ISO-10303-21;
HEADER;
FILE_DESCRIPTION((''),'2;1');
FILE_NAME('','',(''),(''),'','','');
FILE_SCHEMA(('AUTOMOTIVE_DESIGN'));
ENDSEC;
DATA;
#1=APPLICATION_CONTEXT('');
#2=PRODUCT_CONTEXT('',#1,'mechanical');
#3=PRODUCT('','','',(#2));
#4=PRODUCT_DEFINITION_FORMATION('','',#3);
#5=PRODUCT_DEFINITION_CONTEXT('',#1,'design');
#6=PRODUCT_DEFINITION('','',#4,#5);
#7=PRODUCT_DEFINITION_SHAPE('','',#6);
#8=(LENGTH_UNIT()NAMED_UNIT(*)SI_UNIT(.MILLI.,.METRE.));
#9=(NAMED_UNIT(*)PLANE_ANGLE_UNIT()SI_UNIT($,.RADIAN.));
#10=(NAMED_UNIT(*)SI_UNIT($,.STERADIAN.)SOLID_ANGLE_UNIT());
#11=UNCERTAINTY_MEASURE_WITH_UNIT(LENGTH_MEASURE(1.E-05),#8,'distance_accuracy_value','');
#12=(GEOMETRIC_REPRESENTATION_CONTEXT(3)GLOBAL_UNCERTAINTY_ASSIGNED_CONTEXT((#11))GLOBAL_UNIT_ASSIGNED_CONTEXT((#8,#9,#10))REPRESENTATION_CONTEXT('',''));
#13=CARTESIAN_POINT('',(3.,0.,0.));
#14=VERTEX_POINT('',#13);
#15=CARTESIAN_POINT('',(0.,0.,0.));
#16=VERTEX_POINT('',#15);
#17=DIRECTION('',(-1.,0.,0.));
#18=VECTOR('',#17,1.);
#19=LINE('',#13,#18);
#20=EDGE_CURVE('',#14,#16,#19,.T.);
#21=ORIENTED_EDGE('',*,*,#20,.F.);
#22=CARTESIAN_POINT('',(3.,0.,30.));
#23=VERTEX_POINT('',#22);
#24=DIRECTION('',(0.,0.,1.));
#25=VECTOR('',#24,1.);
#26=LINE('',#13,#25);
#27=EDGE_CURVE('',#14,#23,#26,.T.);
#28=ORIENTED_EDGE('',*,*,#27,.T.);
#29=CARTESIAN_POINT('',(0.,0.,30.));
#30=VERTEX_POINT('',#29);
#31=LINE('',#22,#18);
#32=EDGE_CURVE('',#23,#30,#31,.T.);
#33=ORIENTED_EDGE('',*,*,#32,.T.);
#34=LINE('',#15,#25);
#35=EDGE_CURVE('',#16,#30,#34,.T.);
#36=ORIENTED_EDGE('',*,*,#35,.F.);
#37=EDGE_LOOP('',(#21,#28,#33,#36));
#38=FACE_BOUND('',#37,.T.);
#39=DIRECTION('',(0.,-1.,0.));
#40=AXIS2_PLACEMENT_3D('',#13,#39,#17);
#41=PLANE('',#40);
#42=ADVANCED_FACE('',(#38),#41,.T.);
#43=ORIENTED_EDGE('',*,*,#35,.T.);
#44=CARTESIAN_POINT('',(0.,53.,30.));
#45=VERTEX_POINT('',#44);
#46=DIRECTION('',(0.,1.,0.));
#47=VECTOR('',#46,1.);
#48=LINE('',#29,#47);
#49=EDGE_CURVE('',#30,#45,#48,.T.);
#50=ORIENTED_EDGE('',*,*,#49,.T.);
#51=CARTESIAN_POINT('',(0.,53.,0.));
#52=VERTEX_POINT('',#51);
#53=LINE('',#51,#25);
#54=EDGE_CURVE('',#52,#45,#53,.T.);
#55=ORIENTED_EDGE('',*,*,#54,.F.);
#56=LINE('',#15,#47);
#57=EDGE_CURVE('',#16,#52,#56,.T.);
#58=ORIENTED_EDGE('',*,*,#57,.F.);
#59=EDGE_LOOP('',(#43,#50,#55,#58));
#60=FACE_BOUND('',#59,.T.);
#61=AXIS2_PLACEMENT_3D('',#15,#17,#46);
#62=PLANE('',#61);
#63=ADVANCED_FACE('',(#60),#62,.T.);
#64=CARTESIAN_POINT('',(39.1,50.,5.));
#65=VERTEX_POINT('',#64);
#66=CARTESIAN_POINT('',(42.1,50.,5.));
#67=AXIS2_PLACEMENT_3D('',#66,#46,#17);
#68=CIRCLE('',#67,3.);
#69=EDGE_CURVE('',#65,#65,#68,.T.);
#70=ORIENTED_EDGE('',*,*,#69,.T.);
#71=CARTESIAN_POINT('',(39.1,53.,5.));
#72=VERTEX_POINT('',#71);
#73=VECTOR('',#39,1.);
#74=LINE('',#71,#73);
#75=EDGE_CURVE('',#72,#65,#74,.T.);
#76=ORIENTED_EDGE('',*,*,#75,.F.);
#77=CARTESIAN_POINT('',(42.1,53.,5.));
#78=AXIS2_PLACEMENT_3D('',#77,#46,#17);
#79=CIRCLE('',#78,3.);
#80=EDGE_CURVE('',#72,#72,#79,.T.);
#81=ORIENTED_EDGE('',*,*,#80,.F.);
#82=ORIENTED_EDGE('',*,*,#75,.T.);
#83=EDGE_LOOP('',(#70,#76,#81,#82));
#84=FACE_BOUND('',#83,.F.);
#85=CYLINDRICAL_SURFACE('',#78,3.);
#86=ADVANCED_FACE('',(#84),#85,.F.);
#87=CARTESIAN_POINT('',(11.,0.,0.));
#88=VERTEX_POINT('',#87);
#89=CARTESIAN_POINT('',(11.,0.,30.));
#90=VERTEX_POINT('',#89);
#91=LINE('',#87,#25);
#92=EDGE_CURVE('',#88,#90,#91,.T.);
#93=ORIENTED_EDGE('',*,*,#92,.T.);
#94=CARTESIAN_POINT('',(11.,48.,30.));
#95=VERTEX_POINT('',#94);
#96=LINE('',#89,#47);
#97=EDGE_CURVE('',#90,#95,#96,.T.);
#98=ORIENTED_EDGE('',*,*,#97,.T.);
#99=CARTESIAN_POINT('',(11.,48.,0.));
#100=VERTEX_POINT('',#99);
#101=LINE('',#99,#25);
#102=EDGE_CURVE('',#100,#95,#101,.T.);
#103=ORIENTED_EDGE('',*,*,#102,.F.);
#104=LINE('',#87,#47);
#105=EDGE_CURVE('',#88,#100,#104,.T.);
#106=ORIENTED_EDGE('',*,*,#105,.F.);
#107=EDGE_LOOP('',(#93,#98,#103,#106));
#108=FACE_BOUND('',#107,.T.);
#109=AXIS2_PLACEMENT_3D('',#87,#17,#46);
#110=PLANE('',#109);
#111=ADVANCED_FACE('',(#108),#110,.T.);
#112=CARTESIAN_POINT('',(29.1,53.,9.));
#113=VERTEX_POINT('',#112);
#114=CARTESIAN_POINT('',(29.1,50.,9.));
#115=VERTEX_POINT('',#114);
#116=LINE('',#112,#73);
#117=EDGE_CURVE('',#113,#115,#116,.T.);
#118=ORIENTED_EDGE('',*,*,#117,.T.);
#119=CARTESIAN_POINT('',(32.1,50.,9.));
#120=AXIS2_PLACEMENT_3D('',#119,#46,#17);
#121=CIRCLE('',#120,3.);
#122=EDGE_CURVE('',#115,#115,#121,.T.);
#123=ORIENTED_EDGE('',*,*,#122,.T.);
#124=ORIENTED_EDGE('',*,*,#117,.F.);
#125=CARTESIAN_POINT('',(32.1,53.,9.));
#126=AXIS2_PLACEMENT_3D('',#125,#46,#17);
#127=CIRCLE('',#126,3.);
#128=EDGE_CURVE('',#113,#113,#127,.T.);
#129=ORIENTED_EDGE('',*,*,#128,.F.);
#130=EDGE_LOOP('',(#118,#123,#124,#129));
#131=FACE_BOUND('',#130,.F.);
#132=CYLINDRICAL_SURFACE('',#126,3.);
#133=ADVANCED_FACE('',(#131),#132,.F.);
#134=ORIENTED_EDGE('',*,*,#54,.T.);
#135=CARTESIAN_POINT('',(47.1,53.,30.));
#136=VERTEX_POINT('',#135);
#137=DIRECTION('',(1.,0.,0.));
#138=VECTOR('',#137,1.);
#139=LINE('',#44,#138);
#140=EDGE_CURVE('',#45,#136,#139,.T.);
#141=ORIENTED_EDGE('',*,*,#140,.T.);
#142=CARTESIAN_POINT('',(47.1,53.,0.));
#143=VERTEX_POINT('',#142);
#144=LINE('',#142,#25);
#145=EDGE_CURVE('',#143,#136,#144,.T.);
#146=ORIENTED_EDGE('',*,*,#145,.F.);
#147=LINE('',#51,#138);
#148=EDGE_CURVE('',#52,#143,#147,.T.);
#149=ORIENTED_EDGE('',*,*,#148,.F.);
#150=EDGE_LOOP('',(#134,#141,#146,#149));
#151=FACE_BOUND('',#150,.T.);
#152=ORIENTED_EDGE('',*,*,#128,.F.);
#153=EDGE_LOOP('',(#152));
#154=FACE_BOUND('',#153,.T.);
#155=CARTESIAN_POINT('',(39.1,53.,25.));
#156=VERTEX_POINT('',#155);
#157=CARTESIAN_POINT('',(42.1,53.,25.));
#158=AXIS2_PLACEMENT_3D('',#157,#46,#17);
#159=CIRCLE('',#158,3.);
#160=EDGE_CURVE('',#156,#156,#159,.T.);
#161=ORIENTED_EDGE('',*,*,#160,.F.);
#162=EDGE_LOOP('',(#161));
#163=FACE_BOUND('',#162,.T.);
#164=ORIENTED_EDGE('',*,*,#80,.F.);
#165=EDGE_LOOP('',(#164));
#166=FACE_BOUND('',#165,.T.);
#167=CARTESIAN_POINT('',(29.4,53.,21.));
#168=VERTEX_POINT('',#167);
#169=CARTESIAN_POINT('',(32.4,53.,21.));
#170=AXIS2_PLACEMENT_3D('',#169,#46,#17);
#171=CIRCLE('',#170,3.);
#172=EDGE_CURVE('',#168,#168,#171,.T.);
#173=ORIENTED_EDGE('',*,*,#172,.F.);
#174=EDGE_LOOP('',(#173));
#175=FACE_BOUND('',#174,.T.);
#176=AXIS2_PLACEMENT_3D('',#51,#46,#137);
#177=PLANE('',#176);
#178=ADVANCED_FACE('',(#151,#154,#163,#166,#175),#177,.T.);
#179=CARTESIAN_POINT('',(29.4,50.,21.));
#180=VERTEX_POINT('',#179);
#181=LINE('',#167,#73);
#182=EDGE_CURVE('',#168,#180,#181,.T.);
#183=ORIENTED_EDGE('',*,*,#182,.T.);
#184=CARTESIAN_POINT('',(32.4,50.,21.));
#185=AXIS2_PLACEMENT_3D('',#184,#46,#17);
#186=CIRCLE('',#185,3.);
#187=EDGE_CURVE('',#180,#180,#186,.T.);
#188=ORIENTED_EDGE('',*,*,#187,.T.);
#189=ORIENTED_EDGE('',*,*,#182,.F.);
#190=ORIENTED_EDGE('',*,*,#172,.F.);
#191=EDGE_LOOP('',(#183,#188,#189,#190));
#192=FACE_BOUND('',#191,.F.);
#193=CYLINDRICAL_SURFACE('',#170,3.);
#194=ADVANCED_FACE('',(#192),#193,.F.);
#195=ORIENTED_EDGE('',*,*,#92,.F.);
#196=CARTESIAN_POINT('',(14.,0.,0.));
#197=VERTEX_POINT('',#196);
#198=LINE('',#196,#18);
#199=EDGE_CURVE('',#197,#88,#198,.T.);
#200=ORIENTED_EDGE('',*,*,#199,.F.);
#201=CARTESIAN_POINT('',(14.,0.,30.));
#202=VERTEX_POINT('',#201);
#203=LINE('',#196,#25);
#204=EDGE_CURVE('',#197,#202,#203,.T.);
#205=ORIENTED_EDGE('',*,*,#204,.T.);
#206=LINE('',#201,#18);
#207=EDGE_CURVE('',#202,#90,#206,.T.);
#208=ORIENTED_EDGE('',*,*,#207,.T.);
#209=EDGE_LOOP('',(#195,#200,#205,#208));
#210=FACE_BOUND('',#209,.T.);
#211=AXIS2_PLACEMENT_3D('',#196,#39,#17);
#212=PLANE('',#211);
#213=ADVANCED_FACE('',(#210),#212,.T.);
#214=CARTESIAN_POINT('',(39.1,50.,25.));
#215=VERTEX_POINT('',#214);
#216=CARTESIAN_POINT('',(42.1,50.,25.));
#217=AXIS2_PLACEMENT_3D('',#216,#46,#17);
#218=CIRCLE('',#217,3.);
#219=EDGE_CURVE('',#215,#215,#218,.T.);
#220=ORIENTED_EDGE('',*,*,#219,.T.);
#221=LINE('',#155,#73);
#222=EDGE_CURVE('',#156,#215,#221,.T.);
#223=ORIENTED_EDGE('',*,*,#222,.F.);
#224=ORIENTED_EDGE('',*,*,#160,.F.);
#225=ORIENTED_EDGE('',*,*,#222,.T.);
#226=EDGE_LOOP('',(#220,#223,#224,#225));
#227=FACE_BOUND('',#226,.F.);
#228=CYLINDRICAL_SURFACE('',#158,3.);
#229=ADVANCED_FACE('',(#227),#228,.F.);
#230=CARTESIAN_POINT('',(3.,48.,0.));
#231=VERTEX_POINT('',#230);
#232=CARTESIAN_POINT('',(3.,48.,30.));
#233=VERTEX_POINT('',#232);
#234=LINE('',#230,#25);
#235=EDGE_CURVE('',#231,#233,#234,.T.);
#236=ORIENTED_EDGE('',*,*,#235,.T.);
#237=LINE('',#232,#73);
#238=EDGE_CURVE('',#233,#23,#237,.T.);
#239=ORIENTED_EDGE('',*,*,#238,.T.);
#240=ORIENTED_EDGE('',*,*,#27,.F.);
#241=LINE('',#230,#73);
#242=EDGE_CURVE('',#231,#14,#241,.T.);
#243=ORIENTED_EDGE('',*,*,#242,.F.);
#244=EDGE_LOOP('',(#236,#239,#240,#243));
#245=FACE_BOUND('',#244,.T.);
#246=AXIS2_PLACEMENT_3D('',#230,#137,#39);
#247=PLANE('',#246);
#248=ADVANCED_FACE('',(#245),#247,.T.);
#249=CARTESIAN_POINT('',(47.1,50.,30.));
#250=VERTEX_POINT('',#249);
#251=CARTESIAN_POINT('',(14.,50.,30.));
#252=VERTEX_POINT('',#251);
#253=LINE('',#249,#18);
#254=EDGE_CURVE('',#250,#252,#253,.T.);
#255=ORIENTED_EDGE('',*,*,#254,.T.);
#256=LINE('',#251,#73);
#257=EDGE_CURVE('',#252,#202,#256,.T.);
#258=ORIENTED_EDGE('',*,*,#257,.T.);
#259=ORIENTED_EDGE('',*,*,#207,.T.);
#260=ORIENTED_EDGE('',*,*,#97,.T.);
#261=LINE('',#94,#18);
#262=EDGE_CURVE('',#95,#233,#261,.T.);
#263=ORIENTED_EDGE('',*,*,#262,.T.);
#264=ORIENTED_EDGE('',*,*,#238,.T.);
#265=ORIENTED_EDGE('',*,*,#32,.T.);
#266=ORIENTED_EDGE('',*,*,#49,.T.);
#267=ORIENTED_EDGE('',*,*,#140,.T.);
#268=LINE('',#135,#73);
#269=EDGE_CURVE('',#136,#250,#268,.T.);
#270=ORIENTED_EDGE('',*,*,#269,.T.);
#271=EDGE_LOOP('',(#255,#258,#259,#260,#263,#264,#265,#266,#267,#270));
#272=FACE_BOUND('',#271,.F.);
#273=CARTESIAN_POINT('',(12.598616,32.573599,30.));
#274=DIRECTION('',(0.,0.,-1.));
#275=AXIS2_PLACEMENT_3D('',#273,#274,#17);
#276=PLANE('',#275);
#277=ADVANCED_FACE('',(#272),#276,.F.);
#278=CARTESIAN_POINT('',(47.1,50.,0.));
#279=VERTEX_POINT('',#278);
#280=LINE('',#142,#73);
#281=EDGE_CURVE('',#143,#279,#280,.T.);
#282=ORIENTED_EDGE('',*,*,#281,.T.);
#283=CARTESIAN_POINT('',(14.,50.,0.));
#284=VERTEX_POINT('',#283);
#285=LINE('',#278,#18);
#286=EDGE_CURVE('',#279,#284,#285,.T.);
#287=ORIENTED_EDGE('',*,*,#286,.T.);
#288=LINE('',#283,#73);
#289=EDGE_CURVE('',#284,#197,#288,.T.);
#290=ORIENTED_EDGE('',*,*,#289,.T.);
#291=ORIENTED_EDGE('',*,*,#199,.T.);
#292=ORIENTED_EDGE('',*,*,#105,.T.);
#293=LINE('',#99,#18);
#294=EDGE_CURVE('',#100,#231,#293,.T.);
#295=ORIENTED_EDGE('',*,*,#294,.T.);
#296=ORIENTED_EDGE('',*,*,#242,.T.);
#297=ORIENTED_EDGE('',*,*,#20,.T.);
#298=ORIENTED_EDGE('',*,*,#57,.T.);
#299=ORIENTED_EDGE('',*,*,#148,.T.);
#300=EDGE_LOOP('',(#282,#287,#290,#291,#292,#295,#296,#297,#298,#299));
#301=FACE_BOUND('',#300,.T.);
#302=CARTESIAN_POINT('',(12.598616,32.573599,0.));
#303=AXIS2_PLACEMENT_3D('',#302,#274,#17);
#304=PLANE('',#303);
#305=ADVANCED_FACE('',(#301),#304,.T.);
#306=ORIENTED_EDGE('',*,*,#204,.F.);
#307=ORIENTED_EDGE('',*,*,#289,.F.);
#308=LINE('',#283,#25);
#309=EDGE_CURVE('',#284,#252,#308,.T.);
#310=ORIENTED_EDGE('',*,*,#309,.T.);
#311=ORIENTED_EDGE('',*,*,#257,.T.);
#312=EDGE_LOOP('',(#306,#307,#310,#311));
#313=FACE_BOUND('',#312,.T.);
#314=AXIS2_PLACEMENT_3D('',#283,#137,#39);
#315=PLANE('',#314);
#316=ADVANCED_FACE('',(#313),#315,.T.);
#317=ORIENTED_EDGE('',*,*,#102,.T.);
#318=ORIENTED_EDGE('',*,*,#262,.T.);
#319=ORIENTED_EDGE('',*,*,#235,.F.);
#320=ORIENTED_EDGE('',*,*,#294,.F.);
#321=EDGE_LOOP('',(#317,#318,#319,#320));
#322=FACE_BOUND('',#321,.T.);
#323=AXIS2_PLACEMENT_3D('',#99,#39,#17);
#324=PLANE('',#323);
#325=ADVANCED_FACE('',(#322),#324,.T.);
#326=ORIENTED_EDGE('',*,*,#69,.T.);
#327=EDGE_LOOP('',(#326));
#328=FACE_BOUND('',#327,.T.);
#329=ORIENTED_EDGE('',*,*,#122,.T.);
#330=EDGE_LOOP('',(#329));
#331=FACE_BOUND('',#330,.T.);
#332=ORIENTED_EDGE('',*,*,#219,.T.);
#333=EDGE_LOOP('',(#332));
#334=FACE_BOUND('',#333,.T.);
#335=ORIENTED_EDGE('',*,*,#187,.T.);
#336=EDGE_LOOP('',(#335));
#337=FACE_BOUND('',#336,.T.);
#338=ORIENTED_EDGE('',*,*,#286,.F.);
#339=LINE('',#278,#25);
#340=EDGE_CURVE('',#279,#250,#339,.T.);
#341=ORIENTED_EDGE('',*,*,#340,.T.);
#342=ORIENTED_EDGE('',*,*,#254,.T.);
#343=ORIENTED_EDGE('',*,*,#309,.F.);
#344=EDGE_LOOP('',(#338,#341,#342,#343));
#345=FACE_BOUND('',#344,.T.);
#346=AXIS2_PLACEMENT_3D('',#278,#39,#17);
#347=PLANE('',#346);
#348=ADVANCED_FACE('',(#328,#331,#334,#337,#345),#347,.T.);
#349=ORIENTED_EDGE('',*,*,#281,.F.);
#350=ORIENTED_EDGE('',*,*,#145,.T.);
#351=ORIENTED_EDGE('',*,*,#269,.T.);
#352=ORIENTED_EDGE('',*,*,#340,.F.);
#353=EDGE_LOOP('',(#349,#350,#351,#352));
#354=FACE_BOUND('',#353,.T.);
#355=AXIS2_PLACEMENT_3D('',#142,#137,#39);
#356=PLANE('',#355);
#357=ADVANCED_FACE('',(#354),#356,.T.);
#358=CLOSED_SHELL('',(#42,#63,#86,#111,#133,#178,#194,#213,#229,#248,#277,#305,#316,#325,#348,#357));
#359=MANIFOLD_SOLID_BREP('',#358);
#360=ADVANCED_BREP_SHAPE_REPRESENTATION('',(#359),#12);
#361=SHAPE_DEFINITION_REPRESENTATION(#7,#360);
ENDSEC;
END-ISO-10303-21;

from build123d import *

# Parameters (mm, degrees)
PAD_DEPTH    = 30
SKETCH001_R  = 3
POCKET_DEPTH = 5


with BuildPart() as part:
    # Sketch → Pad (new body)
    with BuildSketch(Plane.XY):
        Polygon((0, 0), (0, 53), (47.1, 53), (47.1, 50), (14, 50), (14, 0), (11, 0), (11, 48), (3, 48), (3, 0), align=None)
    extrude(amount=PAD_DEPTH)

    # Sketch001 (on Face2 of Pad) → Pocket (cut)
    with BuildSketch(Plane(origin=(0, 53, 0), x_dir=(-1, 0, 0), z_dir=(0, 1, 0))):
        with Locations((-32.1, 9)):
            Circle(SKETCH001_R)
        with Locations((-42.1, 25)):
            Circle(SKETCH001_R)
        with Locations((-42.1, 5)):
            Circle(SKETCH001_R)
        with Locations((-32.4, 21)):
            Circle(SKETCH001_R)
    extrude(amount=-POCKET_DEPTH, mode=Mode.SUBTRACT)


solid = part.part
